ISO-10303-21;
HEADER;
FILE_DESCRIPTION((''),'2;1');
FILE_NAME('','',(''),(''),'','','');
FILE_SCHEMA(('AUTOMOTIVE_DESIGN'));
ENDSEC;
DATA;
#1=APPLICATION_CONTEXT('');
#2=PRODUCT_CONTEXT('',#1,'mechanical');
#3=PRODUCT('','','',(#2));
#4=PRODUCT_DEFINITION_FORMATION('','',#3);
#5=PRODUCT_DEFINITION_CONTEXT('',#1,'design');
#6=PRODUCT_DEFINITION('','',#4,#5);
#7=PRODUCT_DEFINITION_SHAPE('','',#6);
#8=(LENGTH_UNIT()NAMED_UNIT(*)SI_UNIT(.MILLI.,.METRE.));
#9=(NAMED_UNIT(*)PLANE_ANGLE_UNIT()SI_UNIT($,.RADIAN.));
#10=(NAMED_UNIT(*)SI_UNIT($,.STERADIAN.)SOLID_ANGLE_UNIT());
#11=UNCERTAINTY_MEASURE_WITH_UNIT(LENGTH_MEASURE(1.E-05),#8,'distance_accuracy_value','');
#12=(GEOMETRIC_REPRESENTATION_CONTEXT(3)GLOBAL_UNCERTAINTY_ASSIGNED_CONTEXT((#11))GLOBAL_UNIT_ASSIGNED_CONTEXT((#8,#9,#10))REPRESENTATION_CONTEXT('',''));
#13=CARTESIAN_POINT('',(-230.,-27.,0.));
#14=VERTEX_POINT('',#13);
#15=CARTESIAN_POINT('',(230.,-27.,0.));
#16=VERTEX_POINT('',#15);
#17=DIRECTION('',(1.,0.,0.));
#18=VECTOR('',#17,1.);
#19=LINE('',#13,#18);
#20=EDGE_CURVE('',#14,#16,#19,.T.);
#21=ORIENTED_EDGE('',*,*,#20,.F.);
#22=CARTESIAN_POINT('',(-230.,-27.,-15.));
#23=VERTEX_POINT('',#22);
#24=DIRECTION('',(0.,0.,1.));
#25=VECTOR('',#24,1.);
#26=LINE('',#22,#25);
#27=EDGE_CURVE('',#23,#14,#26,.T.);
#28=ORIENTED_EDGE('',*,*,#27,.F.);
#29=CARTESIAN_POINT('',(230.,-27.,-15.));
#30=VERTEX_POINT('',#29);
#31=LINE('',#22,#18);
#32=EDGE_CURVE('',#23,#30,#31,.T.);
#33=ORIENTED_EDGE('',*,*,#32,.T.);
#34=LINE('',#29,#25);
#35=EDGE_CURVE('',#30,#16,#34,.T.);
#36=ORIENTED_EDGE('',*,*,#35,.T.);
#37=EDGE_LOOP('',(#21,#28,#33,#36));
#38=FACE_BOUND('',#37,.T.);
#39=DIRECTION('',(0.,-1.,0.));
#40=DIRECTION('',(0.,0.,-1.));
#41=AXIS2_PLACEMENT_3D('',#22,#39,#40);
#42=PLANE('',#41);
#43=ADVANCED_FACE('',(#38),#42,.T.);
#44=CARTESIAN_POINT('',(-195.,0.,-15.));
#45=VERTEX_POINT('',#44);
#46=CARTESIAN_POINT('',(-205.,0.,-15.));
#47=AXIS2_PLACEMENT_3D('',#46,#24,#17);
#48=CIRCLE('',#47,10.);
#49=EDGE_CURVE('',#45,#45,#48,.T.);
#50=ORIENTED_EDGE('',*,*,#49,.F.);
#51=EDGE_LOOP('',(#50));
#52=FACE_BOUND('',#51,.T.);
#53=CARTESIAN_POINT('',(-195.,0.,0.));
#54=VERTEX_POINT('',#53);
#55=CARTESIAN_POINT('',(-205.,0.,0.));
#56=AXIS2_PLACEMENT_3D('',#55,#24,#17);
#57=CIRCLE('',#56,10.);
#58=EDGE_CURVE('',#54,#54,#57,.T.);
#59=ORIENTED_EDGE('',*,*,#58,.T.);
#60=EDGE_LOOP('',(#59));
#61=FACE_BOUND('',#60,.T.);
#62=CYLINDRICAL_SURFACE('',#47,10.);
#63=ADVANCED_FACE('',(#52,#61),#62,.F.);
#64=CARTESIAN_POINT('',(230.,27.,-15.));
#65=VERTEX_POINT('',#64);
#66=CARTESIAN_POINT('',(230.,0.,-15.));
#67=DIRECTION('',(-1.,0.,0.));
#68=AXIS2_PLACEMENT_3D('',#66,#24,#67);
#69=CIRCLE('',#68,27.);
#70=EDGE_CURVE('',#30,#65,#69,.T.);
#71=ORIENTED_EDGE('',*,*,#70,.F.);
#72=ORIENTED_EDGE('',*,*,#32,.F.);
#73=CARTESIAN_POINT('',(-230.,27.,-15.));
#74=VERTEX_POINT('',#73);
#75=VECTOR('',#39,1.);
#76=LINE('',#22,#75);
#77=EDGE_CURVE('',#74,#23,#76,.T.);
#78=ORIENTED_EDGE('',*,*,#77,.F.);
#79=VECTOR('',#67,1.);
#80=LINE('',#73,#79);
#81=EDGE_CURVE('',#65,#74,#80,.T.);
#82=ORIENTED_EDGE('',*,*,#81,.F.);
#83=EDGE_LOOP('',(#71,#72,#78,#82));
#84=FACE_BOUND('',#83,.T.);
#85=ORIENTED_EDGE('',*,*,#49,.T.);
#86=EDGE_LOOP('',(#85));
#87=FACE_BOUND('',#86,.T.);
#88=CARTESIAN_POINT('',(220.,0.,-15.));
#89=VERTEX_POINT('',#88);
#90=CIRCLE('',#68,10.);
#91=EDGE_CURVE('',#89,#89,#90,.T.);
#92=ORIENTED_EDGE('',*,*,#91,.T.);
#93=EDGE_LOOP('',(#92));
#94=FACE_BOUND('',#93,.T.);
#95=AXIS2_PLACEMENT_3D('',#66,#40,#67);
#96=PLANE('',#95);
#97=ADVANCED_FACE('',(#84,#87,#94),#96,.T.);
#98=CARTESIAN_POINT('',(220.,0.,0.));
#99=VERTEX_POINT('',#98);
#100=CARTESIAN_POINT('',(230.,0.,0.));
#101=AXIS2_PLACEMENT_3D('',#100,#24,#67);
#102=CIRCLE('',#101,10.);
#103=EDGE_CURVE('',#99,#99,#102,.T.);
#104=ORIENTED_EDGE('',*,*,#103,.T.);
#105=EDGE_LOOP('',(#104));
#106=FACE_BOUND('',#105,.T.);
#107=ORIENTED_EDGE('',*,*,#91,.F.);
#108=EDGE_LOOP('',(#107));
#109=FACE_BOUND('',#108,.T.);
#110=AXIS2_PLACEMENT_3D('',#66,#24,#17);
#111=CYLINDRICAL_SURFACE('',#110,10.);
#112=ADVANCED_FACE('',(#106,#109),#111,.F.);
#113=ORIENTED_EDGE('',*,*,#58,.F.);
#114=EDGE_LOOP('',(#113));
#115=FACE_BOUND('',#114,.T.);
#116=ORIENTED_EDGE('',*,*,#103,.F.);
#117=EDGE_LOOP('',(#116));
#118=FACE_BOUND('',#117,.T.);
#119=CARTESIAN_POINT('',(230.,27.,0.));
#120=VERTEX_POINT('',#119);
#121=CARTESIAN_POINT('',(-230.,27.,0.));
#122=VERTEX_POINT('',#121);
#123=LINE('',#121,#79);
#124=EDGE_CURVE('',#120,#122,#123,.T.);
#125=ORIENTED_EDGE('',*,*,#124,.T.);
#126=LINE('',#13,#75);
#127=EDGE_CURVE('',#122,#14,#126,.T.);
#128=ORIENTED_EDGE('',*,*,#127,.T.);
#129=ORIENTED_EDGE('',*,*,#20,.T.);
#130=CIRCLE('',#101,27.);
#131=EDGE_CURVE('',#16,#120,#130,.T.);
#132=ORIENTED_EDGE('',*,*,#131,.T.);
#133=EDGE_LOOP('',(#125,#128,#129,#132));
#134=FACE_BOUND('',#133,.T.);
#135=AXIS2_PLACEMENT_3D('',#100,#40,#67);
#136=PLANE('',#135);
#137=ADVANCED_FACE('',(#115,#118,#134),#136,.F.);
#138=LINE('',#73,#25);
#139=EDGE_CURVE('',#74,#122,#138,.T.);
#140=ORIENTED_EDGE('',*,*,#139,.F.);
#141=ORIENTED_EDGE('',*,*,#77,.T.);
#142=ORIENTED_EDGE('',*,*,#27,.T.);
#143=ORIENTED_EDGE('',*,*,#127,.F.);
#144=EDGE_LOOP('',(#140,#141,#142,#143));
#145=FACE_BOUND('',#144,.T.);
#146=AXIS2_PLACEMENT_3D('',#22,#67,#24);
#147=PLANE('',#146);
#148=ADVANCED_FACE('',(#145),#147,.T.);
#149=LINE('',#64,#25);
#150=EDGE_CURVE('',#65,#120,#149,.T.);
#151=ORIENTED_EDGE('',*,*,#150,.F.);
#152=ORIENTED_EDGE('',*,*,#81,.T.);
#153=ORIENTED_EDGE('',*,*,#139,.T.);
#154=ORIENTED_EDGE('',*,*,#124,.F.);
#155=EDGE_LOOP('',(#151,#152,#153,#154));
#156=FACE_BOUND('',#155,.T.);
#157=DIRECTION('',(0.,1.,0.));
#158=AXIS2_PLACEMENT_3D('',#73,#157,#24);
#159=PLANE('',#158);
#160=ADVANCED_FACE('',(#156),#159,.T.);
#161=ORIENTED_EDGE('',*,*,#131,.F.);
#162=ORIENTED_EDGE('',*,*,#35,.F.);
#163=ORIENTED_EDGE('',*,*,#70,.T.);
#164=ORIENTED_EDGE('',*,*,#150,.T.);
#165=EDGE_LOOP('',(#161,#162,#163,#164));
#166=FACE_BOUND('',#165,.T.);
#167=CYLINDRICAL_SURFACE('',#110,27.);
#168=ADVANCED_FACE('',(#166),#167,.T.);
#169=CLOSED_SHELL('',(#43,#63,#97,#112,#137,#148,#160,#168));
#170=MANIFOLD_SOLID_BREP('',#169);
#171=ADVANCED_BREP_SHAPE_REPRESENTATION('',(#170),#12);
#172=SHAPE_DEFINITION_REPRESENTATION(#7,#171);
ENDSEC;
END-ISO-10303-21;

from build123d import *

# Parameters (mm, degrees)
SKETCH2_R           = 10
BOSS_EXTRUDE2_DEPTH = 15


with BuildPart() as part:
    # Sketch2 → Boss-Extrude2 (new body)
    with BuildSketch(Plane.XY):
        with BuildLine():
            Line((-230, 27), (230, 27))
            ThreePointArc((230, 27), (257, 0), (230, -27))
            Line((230, -27), (-230, -27))
            Line((-230, -27), (-230, 27))
        make_face()
        with Locations(Location((230, 0, 0), (0, 0, 180))):
            Circle(SKETCH2_R, mode=Mode.SUBTRACT)
        with Locations((-205, 0)):
            Circle(SKETCH2_R, mode=Mode.SUBTRACT)
    extrude(amount=-BOSS_EXTRUDE2_DEPTH)


solid = part.part
